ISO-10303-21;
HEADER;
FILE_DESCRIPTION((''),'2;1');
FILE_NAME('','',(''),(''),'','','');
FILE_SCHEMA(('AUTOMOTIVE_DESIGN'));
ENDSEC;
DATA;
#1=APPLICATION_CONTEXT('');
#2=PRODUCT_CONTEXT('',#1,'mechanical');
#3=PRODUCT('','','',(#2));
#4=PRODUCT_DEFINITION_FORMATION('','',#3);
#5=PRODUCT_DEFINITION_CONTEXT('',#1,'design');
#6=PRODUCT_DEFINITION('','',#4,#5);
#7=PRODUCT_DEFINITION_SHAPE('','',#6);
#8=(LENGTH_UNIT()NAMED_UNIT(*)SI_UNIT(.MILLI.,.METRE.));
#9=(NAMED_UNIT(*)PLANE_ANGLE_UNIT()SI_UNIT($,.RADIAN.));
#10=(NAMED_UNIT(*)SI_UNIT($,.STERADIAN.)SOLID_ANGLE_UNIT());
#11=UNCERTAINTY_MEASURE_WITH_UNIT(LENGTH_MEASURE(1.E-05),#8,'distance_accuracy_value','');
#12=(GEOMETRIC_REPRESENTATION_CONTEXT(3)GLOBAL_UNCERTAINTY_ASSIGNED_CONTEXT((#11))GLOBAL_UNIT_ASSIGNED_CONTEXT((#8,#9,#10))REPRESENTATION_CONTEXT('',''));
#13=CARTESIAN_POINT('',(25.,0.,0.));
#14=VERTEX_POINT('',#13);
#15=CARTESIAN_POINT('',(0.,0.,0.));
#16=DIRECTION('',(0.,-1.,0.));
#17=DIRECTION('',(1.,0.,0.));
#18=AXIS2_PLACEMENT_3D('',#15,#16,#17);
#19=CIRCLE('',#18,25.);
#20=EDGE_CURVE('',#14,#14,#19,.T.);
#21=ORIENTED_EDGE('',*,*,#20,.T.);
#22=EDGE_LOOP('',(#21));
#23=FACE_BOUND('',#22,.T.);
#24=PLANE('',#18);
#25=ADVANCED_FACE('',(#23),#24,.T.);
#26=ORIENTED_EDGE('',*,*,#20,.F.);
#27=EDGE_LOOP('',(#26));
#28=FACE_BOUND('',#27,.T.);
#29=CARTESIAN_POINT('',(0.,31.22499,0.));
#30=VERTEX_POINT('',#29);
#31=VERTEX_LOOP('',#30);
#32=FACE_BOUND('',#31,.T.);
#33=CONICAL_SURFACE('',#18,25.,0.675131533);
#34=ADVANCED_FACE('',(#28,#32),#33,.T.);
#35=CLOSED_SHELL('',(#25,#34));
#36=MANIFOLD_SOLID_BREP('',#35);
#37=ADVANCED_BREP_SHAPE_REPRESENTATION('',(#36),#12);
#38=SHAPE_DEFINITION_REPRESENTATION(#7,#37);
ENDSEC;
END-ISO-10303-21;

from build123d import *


with BuildPart() as part:
    # Sketch1 → Revolve1 (revolve)
    with BuildSketch(Plane.XY):
        Polygon((0, 0), (25, 0), (0, 31.224989992), align=None)
    revolve(axis=Axis((0, 0, 0), (0, 1, 0)))


solid = part.part
